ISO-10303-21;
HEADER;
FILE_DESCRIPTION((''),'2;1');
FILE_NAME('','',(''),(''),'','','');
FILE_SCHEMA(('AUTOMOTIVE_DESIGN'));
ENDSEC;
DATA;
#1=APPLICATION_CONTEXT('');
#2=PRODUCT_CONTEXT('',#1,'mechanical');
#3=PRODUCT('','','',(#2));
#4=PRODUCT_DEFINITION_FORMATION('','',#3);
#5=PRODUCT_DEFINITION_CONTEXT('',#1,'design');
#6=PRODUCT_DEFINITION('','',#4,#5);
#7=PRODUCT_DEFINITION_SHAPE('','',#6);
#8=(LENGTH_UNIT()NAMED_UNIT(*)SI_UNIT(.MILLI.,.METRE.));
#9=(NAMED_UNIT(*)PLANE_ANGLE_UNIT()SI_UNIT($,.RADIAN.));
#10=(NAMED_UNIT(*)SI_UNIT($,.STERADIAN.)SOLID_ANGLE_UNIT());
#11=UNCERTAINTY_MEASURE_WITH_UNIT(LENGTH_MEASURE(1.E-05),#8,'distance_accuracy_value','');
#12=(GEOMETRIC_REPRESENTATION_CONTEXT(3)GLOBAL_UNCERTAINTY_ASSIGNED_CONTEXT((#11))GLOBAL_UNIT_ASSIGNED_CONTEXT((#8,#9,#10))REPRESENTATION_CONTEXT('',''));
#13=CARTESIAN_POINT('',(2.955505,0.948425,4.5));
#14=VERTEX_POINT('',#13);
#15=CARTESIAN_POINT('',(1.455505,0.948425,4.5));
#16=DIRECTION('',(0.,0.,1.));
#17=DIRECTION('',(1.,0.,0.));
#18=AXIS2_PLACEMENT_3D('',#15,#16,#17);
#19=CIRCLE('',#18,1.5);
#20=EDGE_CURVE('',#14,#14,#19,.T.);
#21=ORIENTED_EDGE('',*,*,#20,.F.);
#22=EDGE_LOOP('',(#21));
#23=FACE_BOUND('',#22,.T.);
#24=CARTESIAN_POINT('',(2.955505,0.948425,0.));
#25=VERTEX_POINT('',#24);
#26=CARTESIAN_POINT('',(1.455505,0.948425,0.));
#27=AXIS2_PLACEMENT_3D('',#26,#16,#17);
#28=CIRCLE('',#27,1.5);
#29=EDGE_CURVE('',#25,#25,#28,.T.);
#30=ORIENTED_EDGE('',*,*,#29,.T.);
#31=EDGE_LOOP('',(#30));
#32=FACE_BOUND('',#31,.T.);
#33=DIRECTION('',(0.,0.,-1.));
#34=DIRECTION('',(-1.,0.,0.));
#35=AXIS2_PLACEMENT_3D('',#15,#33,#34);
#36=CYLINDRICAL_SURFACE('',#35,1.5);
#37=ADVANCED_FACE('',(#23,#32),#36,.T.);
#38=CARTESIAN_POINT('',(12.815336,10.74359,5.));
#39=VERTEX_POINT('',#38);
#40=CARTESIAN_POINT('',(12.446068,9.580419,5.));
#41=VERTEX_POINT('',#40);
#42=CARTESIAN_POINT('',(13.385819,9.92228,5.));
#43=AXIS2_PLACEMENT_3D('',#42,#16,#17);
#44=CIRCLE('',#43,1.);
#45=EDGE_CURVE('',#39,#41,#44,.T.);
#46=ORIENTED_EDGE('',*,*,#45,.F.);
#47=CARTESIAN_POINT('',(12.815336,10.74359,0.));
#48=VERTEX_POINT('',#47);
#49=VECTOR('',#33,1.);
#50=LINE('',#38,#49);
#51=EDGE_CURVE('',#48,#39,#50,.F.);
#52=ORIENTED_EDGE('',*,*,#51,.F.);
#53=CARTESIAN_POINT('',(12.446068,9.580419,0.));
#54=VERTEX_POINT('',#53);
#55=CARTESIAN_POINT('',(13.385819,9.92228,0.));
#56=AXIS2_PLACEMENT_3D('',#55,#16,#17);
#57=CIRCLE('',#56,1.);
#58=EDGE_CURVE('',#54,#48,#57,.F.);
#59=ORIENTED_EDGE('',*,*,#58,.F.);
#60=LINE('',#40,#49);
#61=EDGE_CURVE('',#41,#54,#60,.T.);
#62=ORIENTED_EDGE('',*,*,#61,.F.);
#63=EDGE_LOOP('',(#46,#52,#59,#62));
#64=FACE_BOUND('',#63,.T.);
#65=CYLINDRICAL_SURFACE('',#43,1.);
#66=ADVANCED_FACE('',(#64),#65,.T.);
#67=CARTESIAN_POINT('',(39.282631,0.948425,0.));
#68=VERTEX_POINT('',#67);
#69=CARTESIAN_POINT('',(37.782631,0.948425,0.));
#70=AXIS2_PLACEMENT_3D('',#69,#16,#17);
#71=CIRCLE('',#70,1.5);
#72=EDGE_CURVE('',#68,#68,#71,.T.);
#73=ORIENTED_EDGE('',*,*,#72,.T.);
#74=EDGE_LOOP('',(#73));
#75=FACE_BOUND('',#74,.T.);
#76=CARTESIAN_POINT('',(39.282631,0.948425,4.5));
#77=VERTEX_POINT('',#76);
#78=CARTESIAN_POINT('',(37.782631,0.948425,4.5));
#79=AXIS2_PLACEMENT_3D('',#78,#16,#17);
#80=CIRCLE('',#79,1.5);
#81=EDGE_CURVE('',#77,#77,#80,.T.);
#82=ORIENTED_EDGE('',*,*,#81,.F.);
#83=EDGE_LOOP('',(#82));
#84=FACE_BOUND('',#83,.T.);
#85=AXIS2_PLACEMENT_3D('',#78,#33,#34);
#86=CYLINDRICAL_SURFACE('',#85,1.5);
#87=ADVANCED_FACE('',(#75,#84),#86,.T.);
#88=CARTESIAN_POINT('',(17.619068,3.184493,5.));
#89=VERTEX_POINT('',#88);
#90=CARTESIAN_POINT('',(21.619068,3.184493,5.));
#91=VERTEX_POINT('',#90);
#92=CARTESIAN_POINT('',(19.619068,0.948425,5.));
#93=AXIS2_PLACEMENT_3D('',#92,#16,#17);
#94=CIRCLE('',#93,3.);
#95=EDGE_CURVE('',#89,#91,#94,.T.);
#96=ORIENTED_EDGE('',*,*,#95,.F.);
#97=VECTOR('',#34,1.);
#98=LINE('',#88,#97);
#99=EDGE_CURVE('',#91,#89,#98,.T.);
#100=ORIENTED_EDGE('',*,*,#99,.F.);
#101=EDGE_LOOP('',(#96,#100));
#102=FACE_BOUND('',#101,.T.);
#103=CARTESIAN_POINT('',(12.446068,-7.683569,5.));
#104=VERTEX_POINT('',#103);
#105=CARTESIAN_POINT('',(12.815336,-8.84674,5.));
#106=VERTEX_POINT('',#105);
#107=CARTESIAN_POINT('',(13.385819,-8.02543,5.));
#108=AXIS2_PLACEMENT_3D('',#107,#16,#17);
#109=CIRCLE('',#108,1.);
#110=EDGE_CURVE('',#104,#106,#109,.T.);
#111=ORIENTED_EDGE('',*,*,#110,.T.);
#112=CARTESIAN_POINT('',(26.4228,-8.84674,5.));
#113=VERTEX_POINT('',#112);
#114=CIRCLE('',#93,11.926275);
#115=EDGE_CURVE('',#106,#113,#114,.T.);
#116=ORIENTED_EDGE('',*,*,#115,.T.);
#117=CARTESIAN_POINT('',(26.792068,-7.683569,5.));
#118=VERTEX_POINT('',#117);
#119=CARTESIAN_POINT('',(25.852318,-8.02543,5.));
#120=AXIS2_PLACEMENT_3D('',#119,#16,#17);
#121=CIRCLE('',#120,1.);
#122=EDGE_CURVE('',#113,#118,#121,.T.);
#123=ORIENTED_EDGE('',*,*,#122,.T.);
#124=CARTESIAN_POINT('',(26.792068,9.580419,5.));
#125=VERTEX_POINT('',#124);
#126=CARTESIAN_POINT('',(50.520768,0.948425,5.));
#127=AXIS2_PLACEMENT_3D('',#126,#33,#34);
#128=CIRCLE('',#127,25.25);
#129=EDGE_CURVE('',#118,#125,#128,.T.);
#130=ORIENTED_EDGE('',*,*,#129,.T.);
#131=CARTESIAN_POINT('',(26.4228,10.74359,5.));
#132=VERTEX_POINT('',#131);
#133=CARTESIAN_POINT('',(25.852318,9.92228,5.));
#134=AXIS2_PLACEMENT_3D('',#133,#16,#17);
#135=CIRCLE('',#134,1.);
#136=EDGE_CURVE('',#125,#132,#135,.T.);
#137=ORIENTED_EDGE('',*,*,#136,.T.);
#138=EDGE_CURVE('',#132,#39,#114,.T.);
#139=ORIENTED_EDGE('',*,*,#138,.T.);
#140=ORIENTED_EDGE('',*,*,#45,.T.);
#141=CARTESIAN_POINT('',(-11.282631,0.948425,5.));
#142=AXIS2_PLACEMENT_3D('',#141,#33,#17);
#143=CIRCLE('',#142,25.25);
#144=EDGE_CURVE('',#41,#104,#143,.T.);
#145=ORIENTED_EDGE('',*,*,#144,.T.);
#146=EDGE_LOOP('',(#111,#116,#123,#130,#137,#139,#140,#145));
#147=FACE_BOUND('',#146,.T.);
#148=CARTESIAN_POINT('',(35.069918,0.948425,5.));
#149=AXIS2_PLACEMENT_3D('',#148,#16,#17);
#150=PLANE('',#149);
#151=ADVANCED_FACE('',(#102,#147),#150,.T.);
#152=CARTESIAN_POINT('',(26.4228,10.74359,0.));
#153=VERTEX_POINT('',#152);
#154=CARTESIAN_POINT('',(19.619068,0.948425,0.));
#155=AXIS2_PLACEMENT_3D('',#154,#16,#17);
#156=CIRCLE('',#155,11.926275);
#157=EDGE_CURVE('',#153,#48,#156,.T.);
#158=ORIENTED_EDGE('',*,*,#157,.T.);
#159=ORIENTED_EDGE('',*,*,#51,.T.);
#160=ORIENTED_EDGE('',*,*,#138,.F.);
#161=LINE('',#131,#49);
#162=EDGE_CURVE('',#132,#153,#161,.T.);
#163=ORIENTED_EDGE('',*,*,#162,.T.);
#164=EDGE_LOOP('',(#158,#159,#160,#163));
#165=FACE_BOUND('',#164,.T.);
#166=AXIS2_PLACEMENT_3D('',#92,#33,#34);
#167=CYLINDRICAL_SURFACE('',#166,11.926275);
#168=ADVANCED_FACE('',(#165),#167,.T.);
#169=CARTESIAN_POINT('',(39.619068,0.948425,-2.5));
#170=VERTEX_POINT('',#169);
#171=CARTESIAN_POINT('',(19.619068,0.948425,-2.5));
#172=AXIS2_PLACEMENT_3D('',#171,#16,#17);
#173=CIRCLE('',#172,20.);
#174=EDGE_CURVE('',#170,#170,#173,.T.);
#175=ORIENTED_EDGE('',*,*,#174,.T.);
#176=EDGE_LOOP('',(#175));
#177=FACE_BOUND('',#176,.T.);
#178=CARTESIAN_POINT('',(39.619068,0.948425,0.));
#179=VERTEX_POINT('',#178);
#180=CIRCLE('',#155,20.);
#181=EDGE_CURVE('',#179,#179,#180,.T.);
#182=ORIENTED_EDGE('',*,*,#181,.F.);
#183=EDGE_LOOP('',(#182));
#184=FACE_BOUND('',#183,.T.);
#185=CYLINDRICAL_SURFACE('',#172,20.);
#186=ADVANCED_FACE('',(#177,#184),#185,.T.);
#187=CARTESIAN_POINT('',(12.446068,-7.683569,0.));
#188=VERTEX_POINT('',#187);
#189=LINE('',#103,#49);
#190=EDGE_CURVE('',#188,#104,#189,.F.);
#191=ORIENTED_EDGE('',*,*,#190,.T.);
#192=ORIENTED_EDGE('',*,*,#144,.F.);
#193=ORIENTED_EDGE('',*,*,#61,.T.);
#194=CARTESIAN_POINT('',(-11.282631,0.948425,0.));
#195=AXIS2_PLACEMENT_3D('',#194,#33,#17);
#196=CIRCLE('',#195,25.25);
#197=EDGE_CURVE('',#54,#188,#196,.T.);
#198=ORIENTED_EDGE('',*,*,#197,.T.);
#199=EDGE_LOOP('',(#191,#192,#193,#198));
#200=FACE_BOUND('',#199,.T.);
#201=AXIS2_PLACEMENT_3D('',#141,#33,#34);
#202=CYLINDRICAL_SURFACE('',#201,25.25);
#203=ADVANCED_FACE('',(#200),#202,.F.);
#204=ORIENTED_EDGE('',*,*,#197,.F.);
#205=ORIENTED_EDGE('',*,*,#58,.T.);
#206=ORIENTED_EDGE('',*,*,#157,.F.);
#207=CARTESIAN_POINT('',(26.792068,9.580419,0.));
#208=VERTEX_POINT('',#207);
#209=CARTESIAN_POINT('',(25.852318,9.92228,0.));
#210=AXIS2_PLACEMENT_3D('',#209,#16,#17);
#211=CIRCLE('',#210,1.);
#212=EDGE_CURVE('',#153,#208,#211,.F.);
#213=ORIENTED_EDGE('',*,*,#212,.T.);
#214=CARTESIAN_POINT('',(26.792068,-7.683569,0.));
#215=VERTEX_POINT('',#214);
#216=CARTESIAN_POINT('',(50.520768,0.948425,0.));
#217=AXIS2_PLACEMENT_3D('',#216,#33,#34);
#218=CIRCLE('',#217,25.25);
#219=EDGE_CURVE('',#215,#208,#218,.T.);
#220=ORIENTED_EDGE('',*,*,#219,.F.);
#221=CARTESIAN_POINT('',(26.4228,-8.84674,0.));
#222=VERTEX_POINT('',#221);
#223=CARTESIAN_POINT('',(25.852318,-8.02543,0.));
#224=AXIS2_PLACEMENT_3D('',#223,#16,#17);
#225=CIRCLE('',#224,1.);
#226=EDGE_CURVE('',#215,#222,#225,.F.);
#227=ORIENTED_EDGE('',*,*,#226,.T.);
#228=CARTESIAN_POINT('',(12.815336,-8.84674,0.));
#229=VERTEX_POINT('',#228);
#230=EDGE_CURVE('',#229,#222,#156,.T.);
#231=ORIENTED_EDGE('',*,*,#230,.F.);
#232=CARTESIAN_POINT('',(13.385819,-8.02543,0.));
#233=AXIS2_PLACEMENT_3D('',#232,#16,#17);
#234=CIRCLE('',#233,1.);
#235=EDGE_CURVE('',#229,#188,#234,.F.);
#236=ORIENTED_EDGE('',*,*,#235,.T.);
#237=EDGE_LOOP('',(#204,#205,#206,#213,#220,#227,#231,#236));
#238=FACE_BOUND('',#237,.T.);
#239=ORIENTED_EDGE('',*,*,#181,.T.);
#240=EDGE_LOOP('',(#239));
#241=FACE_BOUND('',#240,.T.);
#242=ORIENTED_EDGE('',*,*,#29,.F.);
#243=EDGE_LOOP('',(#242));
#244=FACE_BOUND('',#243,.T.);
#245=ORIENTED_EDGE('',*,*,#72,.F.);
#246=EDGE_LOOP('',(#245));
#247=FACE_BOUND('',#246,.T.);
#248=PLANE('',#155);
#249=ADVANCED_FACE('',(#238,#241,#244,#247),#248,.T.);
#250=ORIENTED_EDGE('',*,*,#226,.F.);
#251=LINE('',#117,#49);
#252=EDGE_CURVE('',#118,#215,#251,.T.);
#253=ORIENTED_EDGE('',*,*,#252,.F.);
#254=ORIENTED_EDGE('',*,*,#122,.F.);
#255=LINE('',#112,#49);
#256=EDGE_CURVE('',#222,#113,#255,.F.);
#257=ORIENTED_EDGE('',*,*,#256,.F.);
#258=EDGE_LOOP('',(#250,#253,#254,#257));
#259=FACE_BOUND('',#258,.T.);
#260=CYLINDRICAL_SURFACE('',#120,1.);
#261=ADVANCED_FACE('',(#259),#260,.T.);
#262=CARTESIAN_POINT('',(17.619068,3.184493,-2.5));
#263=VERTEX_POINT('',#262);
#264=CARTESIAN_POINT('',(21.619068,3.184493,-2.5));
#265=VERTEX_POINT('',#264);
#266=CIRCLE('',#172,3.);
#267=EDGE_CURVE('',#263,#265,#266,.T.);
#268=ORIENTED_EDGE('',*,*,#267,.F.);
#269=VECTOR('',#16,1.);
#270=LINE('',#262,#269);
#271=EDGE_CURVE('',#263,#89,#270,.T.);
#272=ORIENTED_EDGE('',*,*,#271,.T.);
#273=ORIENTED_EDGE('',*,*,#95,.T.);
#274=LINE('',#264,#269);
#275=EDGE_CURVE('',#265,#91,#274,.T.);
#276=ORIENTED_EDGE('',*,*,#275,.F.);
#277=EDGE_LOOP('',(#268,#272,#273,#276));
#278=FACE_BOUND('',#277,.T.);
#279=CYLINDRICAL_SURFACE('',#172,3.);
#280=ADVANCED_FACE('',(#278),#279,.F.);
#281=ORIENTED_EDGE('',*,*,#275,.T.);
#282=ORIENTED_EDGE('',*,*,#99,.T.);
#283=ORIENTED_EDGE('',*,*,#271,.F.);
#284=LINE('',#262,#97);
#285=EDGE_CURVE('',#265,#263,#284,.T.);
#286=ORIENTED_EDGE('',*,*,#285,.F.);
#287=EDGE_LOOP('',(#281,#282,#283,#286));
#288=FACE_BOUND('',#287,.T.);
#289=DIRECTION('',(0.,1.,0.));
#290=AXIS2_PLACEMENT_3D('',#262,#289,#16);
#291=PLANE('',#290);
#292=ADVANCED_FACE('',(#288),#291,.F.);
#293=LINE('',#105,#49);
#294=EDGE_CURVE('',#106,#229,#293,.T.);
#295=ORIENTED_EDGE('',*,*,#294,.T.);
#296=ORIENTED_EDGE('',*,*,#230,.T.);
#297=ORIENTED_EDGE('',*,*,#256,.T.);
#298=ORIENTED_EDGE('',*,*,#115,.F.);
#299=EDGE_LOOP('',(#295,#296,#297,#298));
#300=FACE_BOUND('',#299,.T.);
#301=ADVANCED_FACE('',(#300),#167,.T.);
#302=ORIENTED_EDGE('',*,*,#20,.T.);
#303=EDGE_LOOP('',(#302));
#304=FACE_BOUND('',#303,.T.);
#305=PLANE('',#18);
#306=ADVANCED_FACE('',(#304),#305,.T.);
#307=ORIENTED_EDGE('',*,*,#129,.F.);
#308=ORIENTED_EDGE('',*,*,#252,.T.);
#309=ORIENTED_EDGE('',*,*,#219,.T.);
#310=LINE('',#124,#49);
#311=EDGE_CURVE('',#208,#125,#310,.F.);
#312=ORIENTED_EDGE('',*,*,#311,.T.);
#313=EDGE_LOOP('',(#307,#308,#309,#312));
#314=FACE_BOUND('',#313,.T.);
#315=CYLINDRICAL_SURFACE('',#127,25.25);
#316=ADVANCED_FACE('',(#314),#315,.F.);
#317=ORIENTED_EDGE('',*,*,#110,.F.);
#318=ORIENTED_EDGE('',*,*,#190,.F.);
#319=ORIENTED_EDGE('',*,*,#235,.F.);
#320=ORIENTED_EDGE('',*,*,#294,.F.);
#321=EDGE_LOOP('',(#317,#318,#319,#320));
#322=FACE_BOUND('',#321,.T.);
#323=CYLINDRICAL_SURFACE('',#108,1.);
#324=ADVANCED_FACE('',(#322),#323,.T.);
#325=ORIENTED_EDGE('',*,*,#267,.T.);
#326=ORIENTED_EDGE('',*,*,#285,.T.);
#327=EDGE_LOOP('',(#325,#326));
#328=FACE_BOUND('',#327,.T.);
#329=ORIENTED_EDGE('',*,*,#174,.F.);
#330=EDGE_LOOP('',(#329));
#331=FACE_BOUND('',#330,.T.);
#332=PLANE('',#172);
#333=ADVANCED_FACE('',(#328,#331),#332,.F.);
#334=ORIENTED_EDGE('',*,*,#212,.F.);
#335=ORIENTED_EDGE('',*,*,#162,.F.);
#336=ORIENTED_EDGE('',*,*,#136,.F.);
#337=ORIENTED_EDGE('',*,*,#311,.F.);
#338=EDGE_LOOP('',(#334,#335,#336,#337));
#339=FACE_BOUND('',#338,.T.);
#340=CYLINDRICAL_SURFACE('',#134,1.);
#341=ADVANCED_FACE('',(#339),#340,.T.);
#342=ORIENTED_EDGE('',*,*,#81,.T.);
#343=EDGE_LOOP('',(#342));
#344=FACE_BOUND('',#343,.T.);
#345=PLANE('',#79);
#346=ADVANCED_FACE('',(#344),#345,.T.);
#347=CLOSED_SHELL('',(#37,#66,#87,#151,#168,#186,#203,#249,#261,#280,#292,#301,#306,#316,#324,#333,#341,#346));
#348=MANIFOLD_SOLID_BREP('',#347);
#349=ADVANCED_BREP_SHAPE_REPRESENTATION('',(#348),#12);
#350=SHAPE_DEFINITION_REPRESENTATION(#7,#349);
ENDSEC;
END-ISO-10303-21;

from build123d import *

# Parameters (mm, degrees)
BOSS_EXTRUDE1_DEPTH     = 5
SKETCH2_R               = 20
BOSS_EXTRUDE2_DEPTH     = 2.5
SKETCH3_R               = 1.5
BOSS_EXTRUDE3_DEPTH     = 4.5
CUT_EXTRUDE1_DEPTH      = 6
CUT_EXTRUDE1_DEPTH_BACK = 3.5
FILLET1_R               = 1


with BuildPart() as part:
    # Sketch1 → Boss-Extrude1 (new body)
    with BuildSketch(Plane.XY):
        with BuildLine():
            ThreePointArc((27.055367122, -8.375602421), (25.270767556, 0.948424737), (27.055367122, 10.272451896))
            ThreePointArc((27.055367122, 10.272451896), (19.619068119, 12.874699316), (12.182769116, 10.272451896))
            ThreePointArc((12.182769116, 10.272451896), (13.967368681, 0.948424737), (12.182769116, -8.375602421))
            ThreePointArc((12.182769116, -8.375602421), (19.619068119, -10.977849841), (27.055367122, -8.375602421))
        make_face()
    extrude(amount=BOSS_EXTRUDE1_DEPTH)

    # Sketch2 → Boss-Extrude2 (add)
    with BuildSketch(Plane.XY):
        with Locations((19.619068119, 0.948424737)):
            Circle(SKETCH2_R)
    extrude(amount=-BOSS_EXTRUDE2_DEPTH)

    # Sketch3 → Boss-Extrude3 (add)
    with BuildSketch(Plane.XY):
        with Locations((1.455504919, 0.948424737)):
            Circle(SKETCH3_R)
        with Locations((37.782631319, 0.948424737)):
            Circle(SKETCH3_R)
    extrude(amount=BOSS_EXTRUDE3_DEPTH)

    # Sketch4 → Cut-Extrude1 (cut, two sides)
    with BuildSketch(Plane.XY) as cut_extrude1_sk:
        with BuildLine():
            Line((17.619068119, 3.184492715), (21.619068119, 3.184492715))
            ThreePointArc((21.619068119, 3.184492715), (19.619068119, -2.051575263), (17.619068119, 3.184492715))
        make_face()
    extrude(amount=CUT_EXTRUDE1_DEPTH, mode=Mode.SUBTRACT)
    extrude(cut_extrude1_sk.sketch, amount=-CUT_EXTRUDE1_DEPTH_BACK, mode=Mode.SUBTRACT)

    # Fillet1
    fillet1_edges = [part.edges().sort_by_distance(p)[0] for p in [
        (12.182769116, -8.375602421, 2.5),
        (12.182769116, 10.272451896, 2.5),
        (27.055367122, 10.272451896, 2.5),
        (27.055367122, -8.375602421, 2.5),
    ]]
    fillet(fillet1_edges, radius=FILLET1_R)


solid = part.part
